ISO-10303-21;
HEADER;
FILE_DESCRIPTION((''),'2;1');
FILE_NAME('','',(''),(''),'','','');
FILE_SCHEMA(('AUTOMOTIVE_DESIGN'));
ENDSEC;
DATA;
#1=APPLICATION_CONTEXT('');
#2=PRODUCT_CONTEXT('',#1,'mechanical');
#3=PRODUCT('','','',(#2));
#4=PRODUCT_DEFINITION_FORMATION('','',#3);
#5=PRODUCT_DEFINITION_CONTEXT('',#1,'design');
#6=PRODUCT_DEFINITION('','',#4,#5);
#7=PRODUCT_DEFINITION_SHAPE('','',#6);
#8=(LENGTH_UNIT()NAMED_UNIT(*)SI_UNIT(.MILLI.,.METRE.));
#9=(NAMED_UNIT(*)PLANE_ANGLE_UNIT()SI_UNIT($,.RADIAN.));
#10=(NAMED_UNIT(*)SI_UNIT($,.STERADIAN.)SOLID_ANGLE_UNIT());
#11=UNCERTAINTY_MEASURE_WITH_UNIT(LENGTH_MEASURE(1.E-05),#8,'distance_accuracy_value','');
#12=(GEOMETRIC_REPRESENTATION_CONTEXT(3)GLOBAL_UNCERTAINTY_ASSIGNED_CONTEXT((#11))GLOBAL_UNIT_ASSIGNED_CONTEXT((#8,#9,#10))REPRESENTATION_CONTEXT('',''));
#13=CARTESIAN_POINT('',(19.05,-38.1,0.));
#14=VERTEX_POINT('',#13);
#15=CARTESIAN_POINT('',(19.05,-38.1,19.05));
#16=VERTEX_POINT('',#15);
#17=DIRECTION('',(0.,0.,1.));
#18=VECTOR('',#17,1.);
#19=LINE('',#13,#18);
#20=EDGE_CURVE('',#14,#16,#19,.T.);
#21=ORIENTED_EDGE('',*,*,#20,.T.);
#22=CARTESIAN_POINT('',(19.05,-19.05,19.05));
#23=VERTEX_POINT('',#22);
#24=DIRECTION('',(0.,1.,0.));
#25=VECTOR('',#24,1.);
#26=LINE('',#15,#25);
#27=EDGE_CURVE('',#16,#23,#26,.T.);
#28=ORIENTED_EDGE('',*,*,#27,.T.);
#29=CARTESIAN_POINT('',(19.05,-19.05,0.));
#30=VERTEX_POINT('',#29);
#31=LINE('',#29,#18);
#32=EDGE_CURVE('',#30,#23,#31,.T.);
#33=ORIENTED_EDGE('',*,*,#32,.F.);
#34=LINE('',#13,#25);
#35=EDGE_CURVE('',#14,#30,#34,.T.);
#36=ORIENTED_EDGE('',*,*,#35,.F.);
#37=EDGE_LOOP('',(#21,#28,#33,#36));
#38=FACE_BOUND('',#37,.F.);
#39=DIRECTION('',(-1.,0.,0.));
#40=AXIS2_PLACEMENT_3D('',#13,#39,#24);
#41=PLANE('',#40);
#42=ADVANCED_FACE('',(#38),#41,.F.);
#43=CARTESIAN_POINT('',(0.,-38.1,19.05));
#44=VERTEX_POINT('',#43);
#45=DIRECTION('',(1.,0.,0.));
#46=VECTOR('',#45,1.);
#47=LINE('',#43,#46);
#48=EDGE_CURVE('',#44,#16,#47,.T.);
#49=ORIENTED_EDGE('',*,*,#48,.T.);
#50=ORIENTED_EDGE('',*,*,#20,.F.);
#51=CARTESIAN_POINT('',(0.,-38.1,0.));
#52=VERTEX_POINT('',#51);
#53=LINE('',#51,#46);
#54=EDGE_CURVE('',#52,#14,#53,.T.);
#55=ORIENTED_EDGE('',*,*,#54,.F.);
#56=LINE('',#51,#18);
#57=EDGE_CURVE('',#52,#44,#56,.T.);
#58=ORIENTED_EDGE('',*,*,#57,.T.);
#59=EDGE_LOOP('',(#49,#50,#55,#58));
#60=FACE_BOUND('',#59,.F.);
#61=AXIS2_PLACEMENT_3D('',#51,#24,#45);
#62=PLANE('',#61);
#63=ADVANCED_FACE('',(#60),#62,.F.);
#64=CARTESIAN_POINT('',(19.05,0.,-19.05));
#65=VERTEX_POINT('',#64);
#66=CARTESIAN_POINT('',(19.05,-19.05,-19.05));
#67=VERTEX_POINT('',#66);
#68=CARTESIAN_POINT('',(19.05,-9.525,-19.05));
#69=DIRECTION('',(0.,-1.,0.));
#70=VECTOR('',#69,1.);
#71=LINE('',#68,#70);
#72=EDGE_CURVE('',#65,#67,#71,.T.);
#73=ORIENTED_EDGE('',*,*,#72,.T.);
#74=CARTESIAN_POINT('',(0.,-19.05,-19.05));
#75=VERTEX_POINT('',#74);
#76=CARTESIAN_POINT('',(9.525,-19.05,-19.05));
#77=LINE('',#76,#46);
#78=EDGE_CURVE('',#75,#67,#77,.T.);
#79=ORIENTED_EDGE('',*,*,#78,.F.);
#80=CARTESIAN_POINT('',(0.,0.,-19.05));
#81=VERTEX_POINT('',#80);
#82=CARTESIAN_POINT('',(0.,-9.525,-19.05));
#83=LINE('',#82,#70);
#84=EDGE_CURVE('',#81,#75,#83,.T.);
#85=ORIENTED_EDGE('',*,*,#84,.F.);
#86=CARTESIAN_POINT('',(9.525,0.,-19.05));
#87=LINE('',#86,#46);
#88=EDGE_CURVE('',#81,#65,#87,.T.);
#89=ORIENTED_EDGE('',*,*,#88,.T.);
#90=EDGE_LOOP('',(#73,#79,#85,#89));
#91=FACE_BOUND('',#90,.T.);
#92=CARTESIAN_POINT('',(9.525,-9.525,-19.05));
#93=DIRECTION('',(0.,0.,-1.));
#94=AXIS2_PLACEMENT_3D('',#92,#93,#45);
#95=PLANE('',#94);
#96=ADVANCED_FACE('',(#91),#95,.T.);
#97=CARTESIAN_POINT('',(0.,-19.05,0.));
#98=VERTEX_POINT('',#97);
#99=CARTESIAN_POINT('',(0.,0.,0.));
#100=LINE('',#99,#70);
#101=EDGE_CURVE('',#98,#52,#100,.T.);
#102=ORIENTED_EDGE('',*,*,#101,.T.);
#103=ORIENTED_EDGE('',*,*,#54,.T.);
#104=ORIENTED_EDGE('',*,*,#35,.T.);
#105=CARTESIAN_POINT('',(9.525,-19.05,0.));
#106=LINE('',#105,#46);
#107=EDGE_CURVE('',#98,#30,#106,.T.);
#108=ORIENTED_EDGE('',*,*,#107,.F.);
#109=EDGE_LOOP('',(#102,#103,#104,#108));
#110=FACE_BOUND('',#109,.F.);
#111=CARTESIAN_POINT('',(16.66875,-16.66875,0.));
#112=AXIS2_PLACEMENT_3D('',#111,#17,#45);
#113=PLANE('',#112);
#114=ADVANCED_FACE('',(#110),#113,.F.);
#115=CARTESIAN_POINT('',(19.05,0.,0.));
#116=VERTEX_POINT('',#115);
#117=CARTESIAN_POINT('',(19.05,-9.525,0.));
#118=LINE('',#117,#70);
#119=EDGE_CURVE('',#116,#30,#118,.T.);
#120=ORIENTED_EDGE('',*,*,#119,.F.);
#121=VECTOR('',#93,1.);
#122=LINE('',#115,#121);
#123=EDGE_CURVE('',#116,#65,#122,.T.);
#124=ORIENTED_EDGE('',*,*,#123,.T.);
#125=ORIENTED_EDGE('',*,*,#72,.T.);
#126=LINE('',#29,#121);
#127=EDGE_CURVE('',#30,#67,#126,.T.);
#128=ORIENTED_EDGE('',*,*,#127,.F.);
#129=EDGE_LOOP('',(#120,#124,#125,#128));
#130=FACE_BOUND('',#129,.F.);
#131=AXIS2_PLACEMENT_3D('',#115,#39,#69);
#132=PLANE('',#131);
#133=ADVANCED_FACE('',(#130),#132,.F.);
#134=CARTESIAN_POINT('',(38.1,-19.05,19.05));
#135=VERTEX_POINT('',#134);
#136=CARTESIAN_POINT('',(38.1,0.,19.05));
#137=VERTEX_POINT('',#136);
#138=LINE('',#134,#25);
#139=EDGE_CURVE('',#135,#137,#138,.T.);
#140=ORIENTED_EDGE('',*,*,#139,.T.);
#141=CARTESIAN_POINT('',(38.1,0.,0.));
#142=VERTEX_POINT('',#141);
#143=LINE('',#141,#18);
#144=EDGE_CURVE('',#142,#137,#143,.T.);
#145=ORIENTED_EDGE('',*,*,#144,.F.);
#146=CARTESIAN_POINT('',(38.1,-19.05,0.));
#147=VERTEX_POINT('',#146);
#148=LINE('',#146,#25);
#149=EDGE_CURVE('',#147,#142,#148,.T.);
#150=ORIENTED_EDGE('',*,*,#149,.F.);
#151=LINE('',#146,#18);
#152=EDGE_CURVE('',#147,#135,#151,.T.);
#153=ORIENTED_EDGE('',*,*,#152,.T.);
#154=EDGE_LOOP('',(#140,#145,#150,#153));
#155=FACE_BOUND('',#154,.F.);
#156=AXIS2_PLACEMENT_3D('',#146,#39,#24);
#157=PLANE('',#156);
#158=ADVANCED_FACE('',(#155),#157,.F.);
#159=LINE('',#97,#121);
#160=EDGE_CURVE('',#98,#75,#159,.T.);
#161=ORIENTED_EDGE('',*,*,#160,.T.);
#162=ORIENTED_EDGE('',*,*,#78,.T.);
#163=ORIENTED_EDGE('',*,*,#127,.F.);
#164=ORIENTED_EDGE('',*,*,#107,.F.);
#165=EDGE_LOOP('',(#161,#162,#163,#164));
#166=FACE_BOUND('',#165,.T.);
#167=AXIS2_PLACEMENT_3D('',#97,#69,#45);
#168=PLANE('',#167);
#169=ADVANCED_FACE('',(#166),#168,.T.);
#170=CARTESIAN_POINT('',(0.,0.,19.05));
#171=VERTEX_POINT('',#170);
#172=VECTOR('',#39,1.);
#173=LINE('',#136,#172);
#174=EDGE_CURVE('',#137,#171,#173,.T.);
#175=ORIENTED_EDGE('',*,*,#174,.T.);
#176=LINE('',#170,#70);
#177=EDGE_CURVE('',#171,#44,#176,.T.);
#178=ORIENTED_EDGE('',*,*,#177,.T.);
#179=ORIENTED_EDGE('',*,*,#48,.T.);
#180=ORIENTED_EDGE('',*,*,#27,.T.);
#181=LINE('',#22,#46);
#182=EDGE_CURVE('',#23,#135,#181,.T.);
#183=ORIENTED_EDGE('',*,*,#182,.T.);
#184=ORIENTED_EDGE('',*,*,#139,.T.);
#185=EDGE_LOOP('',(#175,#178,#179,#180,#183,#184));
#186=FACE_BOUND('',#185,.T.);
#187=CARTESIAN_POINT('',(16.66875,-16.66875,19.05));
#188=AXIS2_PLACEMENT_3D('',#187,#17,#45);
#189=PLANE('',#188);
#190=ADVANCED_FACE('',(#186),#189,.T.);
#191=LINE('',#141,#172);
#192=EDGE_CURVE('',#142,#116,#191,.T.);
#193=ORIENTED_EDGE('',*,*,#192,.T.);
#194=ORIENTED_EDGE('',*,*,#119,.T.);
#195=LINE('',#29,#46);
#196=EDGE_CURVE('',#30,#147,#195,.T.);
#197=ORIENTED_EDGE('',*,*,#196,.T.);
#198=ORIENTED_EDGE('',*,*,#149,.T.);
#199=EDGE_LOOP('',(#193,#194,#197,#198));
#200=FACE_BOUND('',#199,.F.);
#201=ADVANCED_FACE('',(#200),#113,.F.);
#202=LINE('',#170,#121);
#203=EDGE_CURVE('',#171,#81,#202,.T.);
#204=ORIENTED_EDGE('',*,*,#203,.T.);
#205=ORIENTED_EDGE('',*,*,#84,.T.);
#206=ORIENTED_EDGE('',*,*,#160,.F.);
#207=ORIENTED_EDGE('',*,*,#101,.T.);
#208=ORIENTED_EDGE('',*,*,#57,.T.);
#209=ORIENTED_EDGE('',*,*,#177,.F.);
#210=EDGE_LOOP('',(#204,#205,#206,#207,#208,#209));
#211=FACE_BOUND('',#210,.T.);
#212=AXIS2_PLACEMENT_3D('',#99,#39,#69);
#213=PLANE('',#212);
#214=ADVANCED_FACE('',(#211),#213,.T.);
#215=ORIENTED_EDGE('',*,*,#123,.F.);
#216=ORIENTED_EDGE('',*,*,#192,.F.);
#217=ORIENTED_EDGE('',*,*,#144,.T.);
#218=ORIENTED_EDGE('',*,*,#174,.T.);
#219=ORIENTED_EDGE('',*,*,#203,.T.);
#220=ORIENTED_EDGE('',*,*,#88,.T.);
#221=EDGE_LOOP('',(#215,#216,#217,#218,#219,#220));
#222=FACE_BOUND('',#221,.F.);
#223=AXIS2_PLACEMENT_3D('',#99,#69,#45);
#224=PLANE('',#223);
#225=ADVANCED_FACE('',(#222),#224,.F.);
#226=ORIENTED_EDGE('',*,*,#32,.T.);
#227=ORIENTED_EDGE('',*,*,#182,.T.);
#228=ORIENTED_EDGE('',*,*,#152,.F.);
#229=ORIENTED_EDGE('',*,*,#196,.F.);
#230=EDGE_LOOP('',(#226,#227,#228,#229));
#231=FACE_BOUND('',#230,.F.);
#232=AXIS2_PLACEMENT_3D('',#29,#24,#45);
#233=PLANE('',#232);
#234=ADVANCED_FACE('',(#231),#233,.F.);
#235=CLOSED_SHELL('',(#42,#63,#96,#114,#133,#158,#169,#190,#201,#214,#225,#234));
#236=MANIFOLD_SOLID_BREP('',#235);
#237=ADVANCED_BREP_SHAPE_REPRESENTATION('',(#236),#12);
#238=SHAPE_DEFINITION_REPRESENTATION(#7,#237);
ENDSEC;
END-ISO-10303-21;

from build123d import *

# Parameters (mm, degrees)
F1_DEPTH = 19.05
F2_W     = 19.05
F2_H     = 19.05
F3_DEPTH = 19.05


with BuildPart() as f1:
    # F0 (on Top) → F1 (new body)
    with BuildSketch(Plane.XY):
        Polygon((38.1, 0), (0, 0), (0, -38.1), (19.05, -38.1), (19.05, -19.05), (38.1, -19.05), align=None)
    extrude(amount=F1_DEPTH)

    # F2 (on face) → F3 (join)
    with BuildSketch(Plane(origin=(0, 0, 0), x_dir=(1, 0, 0), z_dir=(0, 0, -1))):
        with Locations((9.525, 9.525)):
            Rectangle(F2_W, F2_H)
    extrude(amount=F3_DEPTH)


solid = f1.part
